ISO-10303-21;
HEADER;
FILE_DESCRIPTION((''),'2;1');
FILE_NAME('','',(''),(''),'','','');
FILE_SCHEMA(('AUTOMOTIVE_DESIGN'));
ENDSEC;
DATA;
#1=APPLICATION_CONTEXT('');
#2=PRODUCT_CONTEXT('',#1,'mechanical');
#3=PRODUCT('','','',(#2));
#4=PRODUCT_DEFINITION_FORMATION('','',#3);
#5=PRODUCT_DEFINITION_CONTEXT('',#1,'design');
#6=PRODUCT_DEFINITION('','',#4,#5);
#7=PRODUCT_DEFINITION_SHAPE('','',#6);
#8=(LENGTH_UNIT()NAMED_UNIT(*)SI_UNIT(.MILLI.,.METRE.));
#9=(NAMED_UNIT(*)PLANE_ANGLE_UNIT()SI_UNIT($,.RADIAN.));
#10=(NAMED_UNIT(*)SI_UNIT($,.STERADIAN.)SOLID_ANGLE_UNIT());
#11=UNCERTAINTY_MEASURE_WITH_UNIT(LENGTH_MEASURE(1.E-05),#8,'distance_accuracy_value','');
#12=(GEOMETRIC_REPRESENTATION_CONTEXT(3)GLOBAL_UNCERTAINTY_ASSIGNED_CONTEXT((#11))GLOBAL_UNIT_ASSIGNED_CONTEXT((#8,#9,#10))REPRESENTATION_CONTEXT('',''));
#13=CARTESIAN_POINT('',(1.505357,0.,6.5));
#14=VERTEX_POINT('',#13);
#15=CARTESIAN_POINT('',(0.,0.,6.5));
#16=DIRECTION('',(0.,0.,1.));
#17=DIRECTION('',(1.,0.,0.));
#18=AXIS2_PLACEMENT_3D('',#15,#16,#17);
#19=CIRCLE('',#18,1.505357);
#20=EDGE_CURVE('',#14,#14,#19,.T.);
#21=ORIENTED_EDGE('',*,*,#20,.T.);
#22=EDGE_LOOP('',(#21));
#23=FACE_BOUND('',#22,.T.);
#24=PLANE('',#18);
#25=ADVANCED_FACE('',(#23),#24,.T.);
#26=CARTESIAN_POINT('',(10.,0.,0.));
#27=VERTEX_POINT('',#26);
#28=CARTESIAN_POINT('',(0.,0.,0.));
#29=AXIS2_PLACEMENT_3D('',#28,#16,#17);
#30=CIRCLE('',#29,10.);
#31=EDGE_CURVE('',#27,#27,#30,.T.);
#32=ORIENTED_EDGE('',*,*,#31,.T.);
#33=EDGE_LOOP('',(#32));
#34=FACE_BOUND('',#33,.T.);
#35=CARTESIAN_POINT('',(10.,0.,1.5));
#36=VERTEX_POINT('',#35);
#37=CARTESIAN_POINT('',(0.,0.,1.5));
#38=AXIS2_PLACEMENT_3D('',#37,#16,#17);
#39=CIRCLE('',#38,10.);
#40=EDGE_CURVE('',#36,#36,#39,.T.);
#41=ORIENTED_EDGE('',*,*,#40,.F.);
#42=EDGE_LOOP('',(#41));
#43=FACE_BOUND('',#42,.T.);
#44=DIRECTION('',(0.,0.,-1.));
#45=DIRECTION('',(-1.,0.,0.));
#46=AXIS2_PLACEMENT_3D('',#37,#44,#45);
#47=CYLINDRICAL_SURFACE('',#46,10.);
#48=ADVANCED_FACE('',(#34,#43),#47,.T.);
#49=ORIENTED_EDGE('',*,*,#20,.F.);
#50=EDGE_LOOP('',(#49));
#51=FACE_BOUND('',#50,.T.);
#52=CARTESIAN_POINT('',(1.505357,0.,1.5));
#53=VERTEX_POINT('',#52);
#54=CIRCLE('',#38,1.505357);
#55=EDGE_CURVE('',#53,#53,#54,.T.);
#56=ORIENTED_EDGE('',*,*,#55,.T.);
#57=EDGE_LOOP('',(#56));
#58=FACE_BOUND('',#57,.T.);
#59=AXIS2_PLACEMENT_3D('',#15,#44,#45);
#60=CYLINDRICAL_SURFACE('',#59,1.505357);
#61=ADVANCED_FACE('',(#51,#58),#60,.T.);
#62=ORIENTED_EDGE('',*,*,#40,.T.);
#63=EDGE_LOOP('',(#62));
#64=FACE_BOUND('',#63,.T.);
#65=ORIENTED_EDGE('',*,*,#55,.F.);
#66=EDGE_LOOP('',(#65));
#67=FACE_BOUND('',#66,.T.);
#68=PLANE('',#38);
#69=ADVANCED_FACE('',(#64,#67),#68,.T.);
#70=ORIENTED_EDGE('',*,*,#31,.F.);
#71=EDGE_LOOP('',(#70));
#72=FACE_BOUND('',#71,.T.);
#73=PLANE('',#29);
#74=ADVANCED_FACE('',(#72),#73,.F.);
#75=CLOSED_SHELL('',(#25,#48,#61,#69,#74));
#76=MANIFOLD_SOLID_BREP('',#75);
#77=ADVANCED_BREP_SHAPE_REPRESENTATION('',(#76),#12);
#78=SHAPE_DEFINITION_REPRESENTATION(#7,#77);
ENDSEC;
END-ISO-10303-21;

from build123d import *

# Parameters (mm, degrees)
CROQUIS1_R              = 10
SALIENTE_EXTRUIR1_DEPTH = 1.5
CROQUIS3_R              = 1.505357488
SALIENTE_EXTRUIR2_DEPTH = 5


with BuildPart() as part:
    # Croquis1 → Saliente-Extruir1 (new body)
    with BuildSketch(Plane.XY):
        Circle(CROQUIS1_R)
    extrude(amount=SALIENTE_EXTRUIR1_DEPTH)

    # Croquis3 → Saliente-Extruir2 (add)
    with BuildSketch(Plane.XY.offset(1.5)):
        Circle(CROQUIS3_R)
    extrude(amount=SALIENTE_EXTRUIR2_DEPTH)


solid = part.part
